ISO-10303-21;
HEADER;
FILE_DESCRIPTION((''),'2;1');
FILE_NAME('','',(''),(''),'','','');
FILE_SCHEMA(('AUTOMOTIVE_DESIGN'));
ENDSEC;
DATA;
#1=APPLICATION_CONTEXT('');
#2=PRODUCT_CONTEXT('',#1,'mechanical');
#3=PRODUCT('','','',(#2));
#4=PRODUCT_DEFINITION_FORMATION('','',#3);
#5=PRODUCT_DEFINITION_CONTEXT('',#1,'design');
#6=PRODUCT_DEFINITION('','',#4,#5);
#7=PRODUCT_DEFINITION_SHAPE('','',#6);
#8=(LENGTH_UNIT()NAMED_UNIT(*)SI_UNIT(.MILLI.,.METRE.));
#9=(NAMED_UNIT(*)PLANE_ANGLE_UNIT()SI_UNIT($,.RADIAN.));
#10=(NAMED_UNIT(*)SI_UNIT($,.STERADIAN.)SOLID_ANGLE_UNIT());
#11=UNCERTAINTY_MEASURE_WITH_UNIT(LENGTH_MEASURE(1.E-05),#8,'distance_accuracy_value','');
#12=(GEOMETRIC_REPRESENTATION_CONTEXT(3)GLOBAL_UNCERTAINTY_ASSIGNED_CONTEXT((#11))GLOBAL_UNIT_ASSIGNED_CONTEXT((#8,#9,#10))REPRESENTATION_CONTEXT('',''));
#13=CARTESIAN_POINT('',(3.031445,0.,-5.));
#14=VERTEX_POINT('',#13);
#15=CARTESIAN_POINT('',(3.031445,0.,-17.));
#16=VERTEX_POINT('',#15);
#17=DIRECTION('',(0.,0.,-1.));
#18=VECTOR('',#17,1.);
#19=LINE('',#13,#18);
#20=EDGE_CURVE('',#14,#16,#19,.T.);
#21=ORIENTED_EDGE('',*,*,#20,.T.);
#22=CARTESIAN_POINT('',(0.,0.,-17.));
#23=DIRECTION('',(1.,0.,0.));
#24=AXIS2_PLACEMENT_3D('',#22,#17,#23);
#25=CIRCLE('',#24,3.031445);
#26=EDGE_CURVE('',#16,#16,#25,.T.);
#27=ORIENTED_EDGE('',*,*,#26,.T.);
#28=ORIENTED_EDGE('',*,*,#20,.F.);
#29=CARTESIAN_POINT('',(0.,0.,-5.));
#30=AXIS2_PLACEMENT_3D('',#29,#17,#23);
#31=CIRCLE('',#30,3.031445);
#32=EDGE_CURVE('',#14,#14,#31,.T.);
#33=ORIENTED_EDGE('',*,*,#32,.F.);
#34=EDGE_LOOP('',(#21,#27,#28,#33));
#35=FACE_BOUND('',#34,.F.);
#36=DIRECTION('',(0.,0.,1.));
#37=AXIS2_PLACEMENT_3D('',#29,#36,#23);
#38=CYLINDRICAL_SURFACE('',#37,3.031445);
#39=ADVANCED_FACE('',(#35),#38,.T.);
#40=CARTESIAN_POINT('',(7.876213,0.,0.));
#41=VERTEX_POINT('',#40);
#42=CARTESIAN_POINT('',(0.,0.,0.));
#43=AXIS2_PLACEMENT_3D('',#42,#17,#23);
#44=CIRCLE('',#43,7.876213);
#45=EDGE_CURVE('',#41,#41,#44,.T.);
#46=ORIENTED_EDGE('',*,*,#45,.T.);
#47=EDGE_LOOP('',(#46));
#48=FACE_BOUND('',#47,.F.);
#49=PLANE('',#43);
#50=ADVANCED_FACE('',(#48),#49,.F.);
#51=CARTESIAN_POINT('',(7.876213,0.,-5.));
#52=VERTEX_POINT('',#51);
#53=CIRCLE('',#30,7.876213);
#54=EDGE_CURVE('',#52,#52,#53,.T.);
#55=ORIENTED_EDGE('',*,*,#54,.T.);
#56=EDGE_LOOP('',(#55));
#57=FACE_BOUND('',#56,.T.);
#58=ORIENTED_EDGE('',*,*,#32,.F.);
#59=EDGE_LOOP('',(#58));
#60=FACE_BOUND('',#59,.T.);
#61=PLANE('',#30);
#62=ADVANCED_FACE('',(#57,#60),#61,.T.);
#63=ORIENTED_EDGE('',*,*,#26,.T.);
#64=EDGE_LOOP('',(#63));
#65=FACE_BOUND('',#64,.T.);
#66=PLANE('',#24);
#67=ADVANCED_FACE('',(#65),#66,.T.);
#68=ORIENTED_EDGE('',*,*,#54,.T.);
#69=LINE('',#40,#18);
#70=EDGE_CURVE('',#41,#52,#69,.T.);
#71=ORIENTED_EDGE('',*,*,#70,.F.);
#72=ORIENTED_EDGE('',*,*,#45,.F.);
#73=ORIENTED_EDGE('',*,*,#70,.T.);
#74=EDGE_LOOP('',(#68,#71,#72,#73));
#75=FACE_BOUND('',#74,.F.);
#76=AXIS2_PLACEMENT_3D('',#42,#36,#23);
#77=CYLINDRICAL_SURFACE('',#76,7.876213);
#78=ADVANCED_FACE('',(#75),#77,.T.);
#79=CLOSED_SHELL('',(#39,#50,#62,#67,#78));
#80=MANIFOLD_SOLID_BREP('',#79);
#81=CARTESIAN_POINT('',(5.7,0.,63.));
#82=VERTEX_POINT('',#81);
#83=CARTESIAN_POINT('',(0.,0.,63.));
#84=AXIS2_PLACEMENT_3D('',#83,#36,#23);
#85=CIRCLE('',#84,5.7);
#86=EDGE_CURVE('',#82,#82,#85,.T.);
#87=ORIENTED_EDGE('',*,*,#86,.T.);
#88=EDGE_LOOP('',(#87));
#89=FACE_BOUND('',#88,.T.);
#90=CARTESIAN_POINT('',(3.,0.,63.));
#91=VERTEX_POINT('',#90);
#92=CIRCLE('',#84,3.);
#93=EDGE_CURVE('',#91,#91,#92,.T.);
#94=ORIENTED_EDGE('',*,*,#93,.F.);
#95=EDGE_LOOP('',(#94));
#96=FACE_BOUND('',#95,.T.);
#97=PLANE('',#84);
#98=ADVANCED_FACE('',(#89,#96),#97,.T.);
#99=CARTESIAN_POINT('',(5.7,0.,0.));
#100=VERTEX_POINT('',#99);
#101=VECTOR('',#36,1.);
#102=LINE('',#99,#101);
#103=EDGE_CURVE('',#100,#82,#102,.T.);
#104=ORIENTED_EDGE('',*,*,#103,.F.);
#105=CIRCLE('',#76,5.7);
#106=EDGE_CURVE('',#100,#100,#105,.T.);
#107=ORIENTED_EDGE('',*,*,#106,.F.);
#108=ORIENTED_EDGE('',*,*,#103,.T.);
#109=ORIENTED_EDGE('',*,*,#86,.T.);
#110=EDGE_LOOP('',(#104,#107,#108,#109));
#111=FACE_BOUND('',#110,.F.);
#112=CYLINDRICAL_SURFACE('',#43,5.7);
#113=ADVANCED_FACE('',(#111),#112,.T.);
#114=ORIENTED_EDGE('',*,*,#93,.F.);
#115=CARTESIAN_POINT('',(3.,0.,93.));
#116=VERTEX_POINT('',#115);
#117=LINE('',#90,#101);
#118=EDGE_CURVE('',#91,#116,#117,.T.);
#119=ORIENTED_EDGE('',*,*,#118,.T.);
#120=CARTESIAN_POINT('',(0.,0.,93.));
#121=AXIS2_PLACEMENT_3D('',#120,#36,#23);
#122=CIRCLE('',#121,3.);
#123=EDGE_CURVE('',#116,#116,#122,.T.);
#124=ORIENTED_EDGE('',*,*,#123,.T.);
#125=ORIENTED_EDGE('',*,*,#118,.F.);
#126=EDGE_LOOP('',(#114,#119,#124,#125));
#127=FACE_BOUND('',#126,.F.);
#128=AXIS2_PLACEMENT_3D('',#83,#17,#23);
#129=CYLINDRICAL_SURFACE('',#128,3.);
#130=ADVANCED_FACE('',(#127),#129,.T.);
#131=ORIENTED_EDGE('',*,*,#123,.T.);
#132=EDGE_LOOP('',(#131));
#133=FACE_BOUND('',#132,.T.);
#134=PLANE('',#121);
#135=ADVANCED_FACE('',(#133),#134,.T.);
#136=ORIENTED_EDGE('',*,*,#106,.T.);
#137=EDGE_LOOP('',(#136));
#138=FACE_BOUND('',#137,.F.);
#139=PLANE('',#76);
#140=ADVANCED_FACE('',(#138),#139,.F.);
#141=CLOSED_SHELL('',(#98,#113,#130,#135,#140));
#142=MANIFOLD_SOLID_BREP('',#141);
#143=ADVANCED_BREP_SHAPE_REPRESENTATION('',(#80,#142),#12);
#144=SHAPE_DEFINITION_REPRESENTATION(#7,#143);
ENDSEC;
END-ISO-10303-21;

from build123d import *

# Parameters (mm, degrees)
F0_R     = 5.7
F1_DEPTH = 63
F2_R     = 3
F3_DEPTH = 30
F4_R     = 7.876213
F5_DEPTH = 5
F6_R     = 3.031445
F7_DEPTH = 12


with BuildPart() as f1:
    # F0 (on Top) → F1 (new body)
    with BuildSketch(Plane.XY):
        Circle(F0_R)
    extrude(amount=F1_DEPTH)

    # F2 (on face) → F3 (join)
    with BuildSketch(Plane.XY.offset(63)):
        Circle(F2_R)
    extrude(amount=F3_DEPTH)


with BuildPart() as f5:
    # F4 (on face) → F5 (new body)
    with BuildSketch(Plane(origin=(0, 0, 0), x_dir=(1, 0, 0), z_dir=(0, 0, -1))):
        Circle(F4_R)
    extrude(amount=F5_DEPTH)

    # F6 (on face) → F7 (join)
    with BuildSketch(Plane(origin=(0, 0, -5), x_dir=(1, 0, 0), z_dir=(0, 0, -1))):
        Circle(F6_R)
    extrude(amount=F7_DEPTH)


solid = Compound([f1.part, f5.part])
